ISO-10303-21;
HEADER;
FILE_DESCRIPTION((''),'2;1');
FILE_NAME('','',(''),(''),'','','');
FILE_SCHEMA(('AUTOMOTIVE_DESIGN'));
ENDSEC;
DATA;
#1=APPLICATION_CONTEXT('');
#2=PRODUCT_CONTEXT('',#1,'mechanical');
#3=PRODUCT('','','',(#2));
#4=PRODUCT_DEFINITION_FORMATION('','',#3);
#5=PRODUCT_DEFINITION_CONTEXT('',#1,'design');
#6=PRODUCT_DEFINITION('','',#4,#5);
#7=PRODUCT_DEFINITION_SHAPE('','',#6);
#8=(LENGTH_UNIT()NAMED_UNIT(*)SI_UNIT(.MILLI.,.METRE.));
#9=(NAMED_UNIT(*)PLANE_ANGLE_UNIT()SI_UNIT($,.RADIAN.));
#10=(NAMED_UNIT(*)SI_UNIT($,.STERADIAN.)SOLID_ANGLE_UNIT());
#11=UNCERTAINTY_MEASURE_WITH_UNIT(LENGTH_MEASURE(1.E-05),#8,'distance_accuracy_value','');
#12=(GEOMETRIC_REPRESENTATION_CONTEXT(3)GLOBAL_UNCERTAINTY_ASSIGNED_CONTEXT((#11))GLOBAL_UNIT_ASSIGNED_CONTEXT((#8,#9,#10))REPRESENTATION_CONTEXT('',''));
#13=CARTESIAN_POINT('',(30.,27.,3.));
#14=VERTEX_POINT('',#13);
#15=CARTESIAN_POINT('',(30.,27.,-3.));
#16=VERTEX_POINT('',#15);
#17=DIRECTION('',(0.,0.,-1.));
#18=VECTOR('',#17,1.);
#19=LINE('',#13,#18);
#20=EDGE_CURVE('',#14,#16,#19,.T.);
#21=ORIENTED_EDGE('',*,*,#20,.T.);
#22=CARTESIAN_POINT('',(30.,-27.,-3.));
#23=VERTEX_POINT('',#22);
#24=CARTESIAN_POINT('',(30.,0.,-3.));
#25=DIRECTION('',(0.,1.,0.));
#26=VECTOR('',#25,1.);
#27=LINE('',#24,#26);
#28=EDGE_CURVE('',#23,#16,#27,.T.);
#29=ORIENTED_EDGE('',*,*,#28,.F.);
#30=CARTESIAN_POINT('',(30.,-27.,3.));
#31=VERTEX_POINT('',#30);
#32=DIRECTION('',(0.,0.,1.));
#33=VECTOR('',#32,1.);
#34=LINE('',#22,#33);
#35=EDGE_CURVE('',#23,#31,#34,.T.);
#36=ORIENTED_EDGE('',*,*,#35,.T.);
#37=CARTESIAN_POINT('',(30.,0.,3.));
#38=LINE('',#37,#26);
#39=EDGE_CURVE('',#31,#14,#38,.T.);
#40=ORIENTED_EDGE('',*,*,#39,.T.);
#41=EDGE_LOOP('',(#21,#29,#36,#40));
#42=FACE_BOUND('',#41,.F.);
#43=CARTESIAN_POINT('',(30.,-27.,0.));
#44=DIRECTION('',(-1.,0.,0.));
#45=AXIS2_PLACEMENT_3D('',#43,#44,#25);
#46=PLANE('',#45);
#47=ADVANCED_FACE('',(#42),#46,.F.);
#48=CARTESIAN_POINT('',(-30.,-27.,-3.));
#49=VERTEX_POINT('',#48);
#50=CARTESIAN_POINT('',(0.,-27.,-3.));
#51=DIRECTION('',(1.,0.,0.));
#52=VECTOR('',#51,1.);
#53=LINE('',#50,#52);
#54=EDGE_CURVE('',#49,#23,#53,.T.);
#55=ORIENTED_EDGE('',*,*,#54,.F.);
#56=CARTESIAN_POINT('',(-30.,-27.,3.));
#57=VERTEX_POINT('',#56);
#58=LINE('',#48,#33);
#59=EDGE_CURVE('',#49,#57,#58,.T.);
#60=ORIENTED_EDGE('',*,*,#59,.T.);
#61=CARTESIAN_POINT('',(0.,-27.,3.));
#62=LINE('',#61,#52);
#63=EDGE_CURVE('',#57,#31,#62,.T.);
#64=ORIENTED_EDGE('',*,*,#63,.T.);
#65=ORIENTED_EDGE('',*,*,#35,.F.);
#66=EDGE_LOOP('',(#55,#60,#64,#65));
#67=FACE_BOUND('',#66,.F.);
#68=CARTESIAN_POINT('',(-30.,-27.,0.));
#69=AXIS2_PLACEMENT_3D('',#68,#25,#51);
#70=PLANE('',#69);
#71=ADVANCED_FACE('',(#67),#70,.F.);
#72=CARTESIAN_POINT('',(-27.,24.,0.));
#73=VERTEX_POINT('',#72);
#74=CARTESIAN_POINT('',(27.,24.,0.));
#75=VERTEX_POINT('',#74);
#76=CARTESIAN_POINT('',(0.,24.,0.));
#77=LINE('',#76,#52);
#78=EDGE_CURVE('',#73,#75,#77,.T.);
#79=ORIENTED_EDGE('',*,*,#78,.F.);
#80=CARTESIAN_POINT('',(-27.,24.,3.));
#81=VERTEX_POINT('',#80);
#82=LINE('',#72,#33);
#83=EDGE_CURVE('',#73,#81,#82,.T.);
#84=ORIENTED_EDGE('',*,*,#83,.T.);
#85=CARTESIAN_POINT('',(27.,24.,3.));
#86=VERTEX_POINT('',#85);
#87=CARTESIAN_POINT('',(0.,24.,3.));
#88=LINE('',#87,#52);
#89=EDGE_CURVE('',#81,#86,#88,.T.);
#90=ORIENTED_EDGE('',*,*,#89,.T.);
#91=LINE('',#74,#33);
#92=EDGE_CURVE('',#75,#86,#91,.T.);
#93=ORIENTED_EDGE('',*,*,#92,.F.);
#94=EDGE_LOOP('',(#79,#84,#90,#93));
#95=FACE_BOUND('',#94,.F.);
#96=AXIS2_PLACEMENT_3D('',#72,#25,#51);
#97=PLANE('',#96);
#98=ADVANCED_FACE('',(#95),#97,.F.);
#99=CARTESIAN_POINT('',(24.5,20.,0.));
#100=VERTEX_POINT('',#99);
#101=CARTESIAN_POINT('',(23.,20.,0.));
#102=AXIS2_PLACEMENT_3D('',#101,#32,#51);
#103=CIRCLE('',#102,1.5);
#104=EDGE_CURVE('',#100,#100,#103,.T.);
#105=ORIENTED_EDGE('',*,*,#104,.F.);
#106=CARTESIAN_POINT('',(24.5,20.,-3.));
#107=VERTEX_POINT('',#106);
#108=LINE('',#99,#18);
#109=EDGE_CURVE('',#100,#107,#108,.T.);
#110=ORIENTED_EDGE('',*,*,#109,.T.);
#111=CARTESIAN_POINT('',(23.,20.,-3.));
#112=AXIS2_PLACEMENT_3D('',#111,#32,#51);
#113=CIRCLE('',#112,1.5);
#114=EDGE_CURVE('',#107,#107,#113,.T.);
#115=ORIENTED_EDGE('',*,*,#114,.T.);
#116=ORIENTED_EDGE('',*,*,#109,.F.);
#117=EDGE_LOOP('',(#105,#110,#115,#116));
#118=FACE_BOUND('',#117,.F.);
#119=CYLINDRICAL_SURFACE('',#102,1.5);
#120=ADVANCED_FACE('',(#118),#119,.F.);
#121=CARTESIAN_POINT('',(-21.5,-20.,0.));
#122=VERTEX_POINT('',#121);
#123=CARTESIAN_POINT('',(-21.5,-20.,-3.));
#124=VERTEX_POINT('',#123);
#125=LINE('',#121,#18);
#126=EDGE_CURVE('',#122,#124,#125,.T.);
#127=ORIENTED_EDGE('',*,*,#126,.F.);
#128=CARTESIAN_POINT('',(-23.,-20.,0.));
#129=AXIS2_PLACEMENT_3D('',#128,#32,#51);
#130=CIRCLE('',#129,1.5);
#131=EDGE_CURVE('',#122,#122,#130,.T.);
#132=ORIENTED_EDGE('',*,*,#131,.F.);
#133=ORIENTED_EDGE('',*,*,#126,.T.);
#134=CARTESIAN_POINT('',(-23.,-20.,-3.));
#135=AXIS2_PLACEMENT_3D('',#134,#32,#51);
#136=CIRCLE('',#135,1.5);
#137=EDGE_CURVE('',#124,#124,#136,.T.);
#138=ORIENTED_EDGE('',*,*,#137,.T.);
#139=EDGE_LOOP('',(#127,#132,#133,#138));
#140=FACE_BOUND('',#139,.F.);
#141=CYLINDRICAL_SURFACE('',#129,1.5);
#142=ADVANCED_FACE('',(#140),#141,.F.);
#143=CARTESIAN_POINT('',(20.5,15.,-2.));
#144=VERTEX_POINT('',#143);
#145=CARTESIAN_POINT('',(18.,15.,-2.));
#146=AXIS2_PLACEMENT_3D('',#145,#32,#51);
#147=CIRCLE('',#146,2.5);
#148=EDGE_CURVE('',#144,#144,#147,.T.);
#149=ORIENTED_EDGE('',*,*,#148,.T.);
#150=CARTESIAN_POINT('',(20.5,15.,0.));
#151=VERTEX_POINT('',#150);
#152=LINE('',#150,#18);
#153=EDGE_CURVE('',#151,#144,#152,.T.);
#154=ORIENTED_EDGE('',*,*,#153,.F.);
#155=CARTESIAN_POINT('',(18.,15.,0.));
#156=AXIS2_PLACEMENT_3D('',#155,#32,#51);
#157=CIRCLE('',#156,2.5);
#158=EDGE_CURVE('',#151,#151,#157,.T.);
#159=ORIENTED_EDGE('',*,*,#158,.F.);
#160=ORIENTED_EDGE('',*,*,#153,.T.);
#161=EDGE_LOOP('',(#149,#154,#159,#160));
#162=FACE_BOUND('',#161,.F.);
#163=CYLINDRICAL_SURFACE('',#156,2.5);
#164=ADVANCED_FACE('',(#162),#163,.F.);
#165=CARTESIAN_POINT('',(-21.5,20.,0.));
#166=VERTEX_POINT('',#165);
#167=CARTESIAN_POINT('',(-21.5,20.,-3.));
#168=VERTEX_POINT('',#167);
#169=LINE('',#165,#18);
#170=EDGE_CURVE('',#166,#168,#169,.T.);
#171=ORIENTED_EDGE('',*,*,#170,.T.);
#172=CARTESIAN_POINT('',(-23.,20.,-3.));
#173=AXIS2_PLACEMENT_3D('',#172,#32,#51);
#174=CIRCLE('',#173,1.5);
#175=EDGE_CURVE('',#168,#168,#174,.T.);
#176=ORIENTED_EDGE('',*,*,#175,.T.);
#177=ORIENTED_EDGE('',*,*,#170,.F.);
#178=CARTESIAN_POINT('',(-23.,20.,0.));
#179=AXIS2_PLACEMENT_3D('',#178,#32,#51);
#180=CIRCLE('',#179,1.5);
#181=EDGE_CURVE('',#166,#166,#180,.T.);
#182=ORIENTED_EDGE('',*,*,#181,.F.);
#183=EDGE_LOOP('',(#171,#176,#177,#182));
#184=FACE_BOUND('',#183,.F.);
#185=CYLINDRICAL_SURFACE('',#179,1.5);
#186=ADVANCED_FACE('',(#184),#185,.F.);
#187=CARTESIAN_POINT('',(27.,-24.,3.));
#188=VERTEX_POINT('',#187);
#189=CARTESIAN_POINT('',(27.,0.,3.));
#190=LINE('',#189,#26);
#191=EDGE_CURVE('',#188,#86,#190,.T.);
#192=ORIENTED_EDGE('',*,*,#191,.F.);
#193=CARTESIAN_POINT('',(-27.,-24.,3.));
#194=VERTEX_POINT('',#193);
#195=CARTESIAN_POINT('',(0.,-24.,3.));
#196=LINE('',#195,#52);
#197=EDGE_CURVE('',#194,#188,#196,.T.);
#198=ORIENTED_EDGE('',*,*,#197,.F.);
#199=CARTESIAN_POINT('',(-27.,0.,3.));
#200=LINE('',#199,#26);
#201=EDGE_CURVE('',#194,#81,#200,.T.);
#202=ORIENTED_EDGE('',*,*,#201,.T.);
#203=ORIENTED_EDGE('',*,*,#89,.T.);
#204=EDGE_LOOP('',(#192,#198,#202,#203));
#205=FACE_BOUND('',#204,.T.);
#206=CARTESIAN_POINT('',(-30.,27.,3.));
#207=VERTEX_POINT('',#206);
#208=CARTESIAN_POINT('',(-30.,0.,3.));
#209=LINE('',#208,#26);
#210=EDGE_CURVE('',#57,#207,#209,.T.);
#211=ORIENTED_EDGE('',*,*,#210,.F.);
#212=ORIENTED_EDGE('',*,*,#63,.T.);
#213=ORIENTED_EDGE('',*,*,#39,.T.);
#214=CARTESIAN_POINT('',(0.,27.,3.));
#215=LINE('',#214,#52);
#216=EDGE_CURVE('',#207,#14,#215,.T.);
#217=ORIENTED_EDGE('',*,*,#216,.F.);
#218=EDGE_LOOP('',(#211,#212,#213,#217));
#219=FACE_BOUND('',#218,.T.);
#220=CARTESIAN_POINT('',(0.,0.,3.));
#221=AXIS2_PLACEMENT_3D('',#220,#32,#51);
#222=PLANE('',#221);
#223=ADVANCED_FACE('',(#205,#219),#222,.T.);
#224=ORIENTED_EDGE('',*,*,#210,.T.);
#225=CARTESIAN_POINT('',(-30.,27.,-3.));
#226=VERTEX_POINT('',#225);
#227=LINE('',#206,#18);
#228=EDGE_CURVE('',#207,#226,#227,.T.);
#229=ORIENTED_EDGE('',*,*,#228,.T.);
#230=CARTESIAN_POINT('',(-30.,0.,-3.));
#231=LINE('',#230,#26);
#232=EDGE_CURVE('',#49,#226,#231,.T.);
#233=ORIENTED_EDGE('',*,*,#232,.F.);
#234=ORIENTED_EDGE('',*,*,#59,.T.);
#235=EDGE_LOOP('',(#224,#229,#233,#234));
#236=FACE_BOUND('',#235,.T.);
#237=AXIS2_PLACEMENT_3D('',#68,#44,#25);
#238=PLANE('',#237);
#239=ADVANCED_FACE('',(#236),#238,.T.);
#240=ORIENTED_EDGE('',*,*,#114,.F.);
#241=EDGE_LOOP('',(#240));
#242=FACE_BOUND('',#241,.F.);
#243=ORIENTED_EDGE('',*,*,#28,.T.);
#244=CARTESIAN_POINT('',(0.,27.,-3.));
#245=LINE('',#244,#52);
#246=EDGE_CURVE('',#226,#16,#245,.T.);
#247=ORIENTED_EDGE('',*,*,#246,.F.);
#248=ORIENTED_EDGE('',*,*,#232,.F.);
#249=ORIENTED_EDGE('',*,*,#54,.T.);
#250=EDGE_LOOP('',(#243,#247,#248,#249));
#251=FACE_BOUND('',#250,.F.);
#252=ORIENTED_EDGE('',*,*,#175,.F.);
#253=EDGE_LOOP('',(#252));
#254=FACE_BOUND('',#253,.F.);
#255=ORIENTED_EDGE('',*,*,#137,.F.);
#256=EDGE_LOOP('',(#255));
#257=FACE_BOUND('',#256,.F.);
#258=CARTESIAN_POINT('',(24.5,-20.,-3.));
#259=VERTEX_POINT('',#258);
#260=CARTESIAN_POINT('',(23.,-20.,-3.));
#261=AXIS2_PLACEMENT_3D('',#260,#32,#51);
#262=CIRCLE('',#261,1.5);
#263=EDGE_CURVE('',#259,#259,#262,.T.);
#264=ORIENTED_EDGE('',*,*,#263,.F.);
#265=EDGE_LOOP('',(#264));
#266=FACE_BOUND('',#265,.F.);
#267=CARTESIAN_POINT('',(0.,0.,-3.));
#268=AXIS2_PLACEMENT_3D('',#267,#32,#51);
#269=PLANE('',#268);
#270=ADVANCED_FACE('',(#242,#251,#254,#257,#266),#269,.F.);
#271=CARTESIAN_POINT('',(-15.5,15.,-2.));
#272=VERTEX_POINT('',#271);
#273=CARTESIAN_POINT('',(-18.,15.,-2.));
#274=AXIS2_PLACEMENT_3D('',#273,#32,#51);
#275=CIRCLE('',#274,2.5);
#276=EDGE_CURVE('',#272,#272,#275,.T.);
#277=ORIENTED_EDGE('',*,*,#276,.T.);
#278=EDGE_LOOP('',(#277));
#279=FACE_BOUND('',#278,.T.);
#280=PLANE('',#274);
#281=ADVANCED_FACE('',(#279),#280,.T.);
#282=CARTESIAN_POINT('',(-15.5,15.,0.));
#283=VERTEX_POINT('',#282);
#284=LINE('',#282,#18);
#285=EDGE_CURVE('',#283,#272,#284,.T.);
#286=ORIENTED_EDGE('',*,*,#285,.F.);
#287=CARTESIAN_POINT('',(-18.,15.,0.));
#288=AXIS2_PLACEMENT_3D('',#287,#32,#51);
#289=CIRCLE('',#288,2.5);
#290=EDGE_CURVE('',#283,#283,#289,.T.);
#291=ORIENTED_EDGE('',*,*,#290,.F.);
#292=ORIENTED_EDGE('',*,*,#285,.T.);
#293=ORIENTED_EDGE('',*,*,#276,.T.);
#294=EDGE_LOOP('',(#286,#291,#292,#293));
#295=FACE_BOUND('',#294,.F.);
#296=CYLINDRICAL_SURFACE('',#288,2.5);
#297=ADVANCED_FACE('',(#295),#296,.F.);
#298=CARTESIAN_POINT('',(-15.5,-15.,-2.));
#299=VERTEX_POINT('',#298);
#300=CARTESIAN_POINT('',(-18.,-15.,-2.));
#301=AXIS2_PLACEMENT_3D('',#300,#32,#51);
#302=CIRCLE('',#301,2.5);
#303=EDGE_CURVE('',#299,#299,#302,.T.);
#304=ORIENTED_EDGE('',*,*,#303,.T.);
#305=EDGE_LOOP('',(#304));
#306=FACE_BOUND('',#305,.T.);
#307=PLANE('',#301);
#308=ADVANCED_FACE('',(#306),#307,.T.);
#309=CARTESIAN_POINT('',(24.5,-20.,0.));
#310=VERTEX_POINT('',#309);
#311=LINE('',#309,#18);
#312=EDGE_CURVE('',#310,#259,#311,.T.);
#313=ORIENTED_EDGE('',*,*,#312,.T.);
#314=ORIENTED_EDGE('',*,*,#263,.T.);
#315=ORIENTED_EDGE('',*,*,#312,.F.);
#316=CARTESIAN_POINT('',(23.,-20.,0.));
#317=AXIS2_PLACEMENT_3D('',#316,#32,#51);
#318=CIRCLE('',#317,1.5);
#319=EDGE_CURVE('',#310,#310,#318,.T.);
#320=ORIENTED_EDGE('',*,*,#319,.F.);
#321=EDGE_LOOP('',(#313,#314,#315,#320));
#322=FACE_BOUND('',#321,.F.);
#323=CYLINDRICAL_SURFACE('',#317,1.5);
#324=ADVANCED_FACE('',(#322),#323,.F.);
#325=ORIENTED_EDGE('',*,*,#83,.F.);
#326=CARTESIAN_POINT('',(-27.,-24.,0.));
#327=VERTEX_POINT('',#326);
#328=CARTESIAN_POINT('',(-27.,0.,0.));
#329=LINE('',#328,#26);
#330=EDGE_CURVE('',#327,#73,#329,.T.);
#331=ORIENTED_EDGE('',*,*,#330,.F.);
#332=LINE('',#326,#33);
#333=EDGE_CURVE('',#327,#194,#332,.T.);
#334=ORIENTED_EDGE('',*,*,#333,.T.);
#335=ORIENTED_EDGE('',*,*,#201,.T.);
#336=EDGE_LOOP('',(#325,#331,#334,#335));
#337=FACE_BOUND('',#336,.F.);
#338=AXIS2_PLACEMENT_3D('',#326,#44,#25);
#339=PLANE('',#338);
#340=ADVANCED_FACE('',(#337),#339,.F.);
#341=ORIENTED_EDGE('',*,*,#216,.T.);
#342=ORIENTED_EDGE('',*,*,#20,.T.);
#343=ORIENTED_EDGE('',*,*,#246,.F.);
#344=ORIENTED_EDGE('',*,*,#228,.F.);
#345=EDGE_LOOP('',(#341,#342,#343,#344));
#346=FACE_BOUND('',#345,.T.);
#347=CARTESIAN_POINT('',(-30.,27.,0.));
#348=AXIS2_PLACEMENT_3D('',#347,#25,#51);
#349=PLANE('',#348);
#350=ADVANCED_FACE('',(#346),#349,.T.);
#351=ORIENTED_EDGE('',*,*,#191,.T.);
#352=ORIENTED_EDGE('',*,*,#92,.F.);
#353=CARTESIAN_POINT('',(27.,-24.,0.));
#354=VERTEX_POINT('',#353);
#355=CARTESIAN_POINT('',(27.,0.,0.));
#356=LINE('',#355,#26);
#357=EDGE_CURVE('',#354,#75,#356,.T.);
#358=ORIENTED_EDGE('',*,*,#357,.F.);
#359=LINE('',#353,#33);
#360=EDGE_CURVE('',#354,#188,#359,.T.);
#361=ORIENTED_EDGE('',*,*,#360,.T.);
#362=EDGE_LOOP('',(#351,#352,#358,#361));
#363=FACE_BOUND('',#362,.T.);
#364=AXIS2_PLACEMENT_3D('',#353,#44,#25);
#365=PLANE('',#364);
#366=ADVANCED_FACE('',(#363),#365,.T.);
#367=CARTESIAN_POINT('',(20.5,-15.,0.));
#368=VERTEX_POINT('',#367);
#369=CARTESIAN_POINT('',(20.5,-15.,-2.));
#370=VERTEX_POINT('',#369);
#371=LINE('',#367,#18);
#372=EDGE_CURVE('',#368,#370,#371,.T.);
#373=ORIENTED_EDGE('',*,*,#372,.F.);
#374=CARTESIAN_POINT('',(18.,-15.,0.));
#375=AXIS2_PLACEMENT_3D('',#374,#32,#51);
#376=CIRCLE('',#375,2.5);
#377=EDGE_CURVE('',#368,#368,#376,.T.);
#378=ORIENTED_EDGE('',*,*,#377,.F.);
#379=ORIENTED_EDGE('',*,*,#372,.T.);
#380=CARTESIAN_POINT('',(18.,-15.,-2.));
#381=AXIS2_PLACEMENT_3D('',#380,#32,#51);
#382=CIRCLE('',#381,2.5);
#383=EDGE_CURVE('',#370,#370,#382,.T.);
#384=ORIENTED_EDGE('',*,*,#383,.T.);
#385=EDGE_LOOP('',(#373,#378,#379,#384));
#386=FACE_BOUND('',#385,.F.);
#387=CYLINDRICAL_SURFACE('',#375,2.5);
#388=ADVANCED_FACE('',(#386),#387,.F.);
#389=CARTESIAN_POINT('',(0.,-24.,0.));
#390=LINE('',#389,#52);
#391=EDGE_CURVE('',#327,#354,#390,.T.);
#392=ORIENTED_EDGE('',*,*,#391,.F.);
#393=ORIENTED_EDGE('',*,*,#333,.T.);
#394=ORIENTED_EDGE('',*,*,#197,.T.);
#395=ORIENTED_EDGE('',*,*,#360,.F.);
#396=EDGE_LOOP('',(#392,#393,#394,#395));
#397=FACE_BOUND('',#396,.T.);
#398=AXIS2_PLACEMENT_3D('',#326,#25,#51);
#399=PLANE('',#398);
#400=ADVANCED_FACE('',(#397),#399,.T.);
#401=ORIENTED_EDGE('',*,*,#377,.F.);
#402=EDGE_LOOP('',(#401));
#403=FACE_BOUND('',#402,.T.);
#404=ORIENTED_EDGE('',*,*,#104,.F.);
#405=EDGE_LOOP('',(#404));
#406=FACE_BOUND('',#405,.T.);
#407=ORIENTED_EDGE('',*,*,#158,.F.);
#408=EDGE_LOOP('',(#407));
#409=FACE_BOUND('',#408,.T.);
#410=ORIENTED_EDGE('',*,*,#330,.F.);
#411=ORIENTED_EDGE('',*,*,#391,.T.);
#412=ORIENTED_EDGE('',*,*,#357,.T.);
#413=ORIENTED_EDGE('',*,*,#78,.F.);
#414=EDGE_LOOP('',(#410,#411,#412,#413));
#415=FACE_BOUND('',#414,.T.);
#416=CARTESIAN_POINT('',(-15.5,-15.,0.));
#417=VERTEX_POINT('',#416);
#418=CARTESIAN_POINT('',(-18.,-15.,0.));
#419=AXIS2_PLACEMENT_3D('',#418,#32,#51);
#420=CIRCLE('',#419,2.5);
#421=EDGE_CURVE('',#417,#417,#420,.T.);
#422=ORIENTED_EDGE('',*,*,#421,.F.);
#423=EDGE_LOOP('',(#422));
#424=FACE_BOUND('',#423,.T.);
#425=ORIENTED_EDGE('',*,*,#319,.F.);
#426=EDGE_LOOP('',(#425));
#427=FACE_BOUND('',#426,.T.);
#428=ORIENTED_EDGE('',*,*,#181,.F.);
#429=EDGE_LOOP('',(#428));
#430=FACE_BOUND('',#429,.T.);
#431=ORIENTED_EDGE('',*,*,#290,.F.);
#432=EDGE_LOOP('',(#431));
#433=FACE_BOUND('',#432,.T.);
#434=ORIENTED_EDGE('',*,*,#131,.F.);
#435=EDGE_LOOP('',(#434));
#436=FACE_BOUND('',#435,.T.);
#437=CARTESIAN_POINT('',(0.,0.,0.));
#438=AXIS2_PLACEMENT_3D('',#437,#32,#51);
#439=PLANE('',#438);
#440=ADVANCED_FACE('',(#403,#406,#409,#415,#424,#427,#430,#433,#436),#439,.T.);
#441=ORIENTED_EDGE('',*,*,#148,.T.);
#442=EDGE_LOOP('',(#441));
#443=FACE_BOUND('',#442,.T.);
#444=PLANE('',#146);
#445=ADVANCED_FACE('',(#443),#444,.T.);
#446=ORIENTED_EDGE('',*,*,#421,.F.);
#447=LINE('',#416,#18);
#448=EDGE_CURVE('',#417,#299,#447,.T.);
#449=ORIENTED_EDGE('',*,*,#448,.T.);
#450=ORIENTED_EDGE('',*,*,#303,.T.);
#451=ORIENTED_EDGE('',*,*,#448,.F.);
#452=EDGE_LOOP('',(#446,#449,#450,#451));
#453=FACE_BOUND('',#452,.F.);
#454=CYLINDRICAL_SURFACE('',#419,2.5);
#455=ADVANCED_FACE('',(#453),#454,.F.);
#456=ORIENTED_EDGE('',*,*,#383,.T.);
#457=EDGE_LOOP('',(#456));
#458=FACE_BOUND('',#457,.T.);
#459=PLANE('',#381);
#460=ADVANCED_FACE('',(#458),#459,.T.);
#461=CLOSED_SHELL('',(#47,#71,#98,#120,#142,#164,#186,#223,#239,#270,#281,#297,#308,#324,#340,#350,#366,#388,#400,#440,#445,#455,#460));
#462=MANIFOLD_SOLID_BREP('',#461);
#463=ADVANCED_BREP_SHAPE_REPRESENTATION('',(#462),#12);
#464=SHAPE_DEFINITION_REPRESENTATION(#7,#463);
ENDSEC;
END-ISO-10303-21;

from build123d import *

# Parameters (mm, degrees)
F0_W     = 60
F0_H     = 54
F0_W_2   = 54
F0_H_2   = 48
F1_DEPTH = 3
F2_DEPTH = 3
F3_R     = 2.5
F4_DEPTH = 2
F5_R     = 1.5
F6_DEPTH = 3


with BuildPart() as f1:
    # F0 (on Top) → F1 (new body)
    with BuildSketch(Plane.XY):
        Rectangle(F0_W, F0_H)
        Rectangle(F0_W_2, F0_H_2, mode=Mode.SUBTRACT)
        Rectangle(F0_W_2, F0_H_2)
    extrude(amount=-F1_DEPTH)

    # F0 (on Top) → F2 (join)
    with BuildSketch(Plane.XY):
        Rectangle(F0_W, F0_H)
        Rectangle(F0_W_2, F0_H_2, mode=Mode.SUBTRACT)
    extrude(amount=F2_DEPTH)

    # F3 (on face) → F4 (cut)
    with BuildSketch(Plane.XY):
        with Locations((-18, 15)):
            Circle(F3_R)
        with Locations((18, 15)):
            Circle(F3_R)
        with Locations((18, -15)):
            Circle(F3_R)
        with Locations((-18, -15)):
            Circle(F3_R)
    extrude(amount=-F4_DEPTH, mode=Mode.SUBTRACT)

    # F5 (on face) → F6 (cut, through all)
    with BuildSketch(Plane.XY):
        with Locations((-23, 20)):
            Circle(F5_R)
        with Locations((23, 20)):
            Circle(F5_R)
        with Locations((-23, -20)):
            Circle(F5_R)
        with Locations((23, -20)):
            Circle(F5_R)
    extrude(amount=-F6_DEPTH, mode=Mode.SUBTRACT)


solid = f1.part
